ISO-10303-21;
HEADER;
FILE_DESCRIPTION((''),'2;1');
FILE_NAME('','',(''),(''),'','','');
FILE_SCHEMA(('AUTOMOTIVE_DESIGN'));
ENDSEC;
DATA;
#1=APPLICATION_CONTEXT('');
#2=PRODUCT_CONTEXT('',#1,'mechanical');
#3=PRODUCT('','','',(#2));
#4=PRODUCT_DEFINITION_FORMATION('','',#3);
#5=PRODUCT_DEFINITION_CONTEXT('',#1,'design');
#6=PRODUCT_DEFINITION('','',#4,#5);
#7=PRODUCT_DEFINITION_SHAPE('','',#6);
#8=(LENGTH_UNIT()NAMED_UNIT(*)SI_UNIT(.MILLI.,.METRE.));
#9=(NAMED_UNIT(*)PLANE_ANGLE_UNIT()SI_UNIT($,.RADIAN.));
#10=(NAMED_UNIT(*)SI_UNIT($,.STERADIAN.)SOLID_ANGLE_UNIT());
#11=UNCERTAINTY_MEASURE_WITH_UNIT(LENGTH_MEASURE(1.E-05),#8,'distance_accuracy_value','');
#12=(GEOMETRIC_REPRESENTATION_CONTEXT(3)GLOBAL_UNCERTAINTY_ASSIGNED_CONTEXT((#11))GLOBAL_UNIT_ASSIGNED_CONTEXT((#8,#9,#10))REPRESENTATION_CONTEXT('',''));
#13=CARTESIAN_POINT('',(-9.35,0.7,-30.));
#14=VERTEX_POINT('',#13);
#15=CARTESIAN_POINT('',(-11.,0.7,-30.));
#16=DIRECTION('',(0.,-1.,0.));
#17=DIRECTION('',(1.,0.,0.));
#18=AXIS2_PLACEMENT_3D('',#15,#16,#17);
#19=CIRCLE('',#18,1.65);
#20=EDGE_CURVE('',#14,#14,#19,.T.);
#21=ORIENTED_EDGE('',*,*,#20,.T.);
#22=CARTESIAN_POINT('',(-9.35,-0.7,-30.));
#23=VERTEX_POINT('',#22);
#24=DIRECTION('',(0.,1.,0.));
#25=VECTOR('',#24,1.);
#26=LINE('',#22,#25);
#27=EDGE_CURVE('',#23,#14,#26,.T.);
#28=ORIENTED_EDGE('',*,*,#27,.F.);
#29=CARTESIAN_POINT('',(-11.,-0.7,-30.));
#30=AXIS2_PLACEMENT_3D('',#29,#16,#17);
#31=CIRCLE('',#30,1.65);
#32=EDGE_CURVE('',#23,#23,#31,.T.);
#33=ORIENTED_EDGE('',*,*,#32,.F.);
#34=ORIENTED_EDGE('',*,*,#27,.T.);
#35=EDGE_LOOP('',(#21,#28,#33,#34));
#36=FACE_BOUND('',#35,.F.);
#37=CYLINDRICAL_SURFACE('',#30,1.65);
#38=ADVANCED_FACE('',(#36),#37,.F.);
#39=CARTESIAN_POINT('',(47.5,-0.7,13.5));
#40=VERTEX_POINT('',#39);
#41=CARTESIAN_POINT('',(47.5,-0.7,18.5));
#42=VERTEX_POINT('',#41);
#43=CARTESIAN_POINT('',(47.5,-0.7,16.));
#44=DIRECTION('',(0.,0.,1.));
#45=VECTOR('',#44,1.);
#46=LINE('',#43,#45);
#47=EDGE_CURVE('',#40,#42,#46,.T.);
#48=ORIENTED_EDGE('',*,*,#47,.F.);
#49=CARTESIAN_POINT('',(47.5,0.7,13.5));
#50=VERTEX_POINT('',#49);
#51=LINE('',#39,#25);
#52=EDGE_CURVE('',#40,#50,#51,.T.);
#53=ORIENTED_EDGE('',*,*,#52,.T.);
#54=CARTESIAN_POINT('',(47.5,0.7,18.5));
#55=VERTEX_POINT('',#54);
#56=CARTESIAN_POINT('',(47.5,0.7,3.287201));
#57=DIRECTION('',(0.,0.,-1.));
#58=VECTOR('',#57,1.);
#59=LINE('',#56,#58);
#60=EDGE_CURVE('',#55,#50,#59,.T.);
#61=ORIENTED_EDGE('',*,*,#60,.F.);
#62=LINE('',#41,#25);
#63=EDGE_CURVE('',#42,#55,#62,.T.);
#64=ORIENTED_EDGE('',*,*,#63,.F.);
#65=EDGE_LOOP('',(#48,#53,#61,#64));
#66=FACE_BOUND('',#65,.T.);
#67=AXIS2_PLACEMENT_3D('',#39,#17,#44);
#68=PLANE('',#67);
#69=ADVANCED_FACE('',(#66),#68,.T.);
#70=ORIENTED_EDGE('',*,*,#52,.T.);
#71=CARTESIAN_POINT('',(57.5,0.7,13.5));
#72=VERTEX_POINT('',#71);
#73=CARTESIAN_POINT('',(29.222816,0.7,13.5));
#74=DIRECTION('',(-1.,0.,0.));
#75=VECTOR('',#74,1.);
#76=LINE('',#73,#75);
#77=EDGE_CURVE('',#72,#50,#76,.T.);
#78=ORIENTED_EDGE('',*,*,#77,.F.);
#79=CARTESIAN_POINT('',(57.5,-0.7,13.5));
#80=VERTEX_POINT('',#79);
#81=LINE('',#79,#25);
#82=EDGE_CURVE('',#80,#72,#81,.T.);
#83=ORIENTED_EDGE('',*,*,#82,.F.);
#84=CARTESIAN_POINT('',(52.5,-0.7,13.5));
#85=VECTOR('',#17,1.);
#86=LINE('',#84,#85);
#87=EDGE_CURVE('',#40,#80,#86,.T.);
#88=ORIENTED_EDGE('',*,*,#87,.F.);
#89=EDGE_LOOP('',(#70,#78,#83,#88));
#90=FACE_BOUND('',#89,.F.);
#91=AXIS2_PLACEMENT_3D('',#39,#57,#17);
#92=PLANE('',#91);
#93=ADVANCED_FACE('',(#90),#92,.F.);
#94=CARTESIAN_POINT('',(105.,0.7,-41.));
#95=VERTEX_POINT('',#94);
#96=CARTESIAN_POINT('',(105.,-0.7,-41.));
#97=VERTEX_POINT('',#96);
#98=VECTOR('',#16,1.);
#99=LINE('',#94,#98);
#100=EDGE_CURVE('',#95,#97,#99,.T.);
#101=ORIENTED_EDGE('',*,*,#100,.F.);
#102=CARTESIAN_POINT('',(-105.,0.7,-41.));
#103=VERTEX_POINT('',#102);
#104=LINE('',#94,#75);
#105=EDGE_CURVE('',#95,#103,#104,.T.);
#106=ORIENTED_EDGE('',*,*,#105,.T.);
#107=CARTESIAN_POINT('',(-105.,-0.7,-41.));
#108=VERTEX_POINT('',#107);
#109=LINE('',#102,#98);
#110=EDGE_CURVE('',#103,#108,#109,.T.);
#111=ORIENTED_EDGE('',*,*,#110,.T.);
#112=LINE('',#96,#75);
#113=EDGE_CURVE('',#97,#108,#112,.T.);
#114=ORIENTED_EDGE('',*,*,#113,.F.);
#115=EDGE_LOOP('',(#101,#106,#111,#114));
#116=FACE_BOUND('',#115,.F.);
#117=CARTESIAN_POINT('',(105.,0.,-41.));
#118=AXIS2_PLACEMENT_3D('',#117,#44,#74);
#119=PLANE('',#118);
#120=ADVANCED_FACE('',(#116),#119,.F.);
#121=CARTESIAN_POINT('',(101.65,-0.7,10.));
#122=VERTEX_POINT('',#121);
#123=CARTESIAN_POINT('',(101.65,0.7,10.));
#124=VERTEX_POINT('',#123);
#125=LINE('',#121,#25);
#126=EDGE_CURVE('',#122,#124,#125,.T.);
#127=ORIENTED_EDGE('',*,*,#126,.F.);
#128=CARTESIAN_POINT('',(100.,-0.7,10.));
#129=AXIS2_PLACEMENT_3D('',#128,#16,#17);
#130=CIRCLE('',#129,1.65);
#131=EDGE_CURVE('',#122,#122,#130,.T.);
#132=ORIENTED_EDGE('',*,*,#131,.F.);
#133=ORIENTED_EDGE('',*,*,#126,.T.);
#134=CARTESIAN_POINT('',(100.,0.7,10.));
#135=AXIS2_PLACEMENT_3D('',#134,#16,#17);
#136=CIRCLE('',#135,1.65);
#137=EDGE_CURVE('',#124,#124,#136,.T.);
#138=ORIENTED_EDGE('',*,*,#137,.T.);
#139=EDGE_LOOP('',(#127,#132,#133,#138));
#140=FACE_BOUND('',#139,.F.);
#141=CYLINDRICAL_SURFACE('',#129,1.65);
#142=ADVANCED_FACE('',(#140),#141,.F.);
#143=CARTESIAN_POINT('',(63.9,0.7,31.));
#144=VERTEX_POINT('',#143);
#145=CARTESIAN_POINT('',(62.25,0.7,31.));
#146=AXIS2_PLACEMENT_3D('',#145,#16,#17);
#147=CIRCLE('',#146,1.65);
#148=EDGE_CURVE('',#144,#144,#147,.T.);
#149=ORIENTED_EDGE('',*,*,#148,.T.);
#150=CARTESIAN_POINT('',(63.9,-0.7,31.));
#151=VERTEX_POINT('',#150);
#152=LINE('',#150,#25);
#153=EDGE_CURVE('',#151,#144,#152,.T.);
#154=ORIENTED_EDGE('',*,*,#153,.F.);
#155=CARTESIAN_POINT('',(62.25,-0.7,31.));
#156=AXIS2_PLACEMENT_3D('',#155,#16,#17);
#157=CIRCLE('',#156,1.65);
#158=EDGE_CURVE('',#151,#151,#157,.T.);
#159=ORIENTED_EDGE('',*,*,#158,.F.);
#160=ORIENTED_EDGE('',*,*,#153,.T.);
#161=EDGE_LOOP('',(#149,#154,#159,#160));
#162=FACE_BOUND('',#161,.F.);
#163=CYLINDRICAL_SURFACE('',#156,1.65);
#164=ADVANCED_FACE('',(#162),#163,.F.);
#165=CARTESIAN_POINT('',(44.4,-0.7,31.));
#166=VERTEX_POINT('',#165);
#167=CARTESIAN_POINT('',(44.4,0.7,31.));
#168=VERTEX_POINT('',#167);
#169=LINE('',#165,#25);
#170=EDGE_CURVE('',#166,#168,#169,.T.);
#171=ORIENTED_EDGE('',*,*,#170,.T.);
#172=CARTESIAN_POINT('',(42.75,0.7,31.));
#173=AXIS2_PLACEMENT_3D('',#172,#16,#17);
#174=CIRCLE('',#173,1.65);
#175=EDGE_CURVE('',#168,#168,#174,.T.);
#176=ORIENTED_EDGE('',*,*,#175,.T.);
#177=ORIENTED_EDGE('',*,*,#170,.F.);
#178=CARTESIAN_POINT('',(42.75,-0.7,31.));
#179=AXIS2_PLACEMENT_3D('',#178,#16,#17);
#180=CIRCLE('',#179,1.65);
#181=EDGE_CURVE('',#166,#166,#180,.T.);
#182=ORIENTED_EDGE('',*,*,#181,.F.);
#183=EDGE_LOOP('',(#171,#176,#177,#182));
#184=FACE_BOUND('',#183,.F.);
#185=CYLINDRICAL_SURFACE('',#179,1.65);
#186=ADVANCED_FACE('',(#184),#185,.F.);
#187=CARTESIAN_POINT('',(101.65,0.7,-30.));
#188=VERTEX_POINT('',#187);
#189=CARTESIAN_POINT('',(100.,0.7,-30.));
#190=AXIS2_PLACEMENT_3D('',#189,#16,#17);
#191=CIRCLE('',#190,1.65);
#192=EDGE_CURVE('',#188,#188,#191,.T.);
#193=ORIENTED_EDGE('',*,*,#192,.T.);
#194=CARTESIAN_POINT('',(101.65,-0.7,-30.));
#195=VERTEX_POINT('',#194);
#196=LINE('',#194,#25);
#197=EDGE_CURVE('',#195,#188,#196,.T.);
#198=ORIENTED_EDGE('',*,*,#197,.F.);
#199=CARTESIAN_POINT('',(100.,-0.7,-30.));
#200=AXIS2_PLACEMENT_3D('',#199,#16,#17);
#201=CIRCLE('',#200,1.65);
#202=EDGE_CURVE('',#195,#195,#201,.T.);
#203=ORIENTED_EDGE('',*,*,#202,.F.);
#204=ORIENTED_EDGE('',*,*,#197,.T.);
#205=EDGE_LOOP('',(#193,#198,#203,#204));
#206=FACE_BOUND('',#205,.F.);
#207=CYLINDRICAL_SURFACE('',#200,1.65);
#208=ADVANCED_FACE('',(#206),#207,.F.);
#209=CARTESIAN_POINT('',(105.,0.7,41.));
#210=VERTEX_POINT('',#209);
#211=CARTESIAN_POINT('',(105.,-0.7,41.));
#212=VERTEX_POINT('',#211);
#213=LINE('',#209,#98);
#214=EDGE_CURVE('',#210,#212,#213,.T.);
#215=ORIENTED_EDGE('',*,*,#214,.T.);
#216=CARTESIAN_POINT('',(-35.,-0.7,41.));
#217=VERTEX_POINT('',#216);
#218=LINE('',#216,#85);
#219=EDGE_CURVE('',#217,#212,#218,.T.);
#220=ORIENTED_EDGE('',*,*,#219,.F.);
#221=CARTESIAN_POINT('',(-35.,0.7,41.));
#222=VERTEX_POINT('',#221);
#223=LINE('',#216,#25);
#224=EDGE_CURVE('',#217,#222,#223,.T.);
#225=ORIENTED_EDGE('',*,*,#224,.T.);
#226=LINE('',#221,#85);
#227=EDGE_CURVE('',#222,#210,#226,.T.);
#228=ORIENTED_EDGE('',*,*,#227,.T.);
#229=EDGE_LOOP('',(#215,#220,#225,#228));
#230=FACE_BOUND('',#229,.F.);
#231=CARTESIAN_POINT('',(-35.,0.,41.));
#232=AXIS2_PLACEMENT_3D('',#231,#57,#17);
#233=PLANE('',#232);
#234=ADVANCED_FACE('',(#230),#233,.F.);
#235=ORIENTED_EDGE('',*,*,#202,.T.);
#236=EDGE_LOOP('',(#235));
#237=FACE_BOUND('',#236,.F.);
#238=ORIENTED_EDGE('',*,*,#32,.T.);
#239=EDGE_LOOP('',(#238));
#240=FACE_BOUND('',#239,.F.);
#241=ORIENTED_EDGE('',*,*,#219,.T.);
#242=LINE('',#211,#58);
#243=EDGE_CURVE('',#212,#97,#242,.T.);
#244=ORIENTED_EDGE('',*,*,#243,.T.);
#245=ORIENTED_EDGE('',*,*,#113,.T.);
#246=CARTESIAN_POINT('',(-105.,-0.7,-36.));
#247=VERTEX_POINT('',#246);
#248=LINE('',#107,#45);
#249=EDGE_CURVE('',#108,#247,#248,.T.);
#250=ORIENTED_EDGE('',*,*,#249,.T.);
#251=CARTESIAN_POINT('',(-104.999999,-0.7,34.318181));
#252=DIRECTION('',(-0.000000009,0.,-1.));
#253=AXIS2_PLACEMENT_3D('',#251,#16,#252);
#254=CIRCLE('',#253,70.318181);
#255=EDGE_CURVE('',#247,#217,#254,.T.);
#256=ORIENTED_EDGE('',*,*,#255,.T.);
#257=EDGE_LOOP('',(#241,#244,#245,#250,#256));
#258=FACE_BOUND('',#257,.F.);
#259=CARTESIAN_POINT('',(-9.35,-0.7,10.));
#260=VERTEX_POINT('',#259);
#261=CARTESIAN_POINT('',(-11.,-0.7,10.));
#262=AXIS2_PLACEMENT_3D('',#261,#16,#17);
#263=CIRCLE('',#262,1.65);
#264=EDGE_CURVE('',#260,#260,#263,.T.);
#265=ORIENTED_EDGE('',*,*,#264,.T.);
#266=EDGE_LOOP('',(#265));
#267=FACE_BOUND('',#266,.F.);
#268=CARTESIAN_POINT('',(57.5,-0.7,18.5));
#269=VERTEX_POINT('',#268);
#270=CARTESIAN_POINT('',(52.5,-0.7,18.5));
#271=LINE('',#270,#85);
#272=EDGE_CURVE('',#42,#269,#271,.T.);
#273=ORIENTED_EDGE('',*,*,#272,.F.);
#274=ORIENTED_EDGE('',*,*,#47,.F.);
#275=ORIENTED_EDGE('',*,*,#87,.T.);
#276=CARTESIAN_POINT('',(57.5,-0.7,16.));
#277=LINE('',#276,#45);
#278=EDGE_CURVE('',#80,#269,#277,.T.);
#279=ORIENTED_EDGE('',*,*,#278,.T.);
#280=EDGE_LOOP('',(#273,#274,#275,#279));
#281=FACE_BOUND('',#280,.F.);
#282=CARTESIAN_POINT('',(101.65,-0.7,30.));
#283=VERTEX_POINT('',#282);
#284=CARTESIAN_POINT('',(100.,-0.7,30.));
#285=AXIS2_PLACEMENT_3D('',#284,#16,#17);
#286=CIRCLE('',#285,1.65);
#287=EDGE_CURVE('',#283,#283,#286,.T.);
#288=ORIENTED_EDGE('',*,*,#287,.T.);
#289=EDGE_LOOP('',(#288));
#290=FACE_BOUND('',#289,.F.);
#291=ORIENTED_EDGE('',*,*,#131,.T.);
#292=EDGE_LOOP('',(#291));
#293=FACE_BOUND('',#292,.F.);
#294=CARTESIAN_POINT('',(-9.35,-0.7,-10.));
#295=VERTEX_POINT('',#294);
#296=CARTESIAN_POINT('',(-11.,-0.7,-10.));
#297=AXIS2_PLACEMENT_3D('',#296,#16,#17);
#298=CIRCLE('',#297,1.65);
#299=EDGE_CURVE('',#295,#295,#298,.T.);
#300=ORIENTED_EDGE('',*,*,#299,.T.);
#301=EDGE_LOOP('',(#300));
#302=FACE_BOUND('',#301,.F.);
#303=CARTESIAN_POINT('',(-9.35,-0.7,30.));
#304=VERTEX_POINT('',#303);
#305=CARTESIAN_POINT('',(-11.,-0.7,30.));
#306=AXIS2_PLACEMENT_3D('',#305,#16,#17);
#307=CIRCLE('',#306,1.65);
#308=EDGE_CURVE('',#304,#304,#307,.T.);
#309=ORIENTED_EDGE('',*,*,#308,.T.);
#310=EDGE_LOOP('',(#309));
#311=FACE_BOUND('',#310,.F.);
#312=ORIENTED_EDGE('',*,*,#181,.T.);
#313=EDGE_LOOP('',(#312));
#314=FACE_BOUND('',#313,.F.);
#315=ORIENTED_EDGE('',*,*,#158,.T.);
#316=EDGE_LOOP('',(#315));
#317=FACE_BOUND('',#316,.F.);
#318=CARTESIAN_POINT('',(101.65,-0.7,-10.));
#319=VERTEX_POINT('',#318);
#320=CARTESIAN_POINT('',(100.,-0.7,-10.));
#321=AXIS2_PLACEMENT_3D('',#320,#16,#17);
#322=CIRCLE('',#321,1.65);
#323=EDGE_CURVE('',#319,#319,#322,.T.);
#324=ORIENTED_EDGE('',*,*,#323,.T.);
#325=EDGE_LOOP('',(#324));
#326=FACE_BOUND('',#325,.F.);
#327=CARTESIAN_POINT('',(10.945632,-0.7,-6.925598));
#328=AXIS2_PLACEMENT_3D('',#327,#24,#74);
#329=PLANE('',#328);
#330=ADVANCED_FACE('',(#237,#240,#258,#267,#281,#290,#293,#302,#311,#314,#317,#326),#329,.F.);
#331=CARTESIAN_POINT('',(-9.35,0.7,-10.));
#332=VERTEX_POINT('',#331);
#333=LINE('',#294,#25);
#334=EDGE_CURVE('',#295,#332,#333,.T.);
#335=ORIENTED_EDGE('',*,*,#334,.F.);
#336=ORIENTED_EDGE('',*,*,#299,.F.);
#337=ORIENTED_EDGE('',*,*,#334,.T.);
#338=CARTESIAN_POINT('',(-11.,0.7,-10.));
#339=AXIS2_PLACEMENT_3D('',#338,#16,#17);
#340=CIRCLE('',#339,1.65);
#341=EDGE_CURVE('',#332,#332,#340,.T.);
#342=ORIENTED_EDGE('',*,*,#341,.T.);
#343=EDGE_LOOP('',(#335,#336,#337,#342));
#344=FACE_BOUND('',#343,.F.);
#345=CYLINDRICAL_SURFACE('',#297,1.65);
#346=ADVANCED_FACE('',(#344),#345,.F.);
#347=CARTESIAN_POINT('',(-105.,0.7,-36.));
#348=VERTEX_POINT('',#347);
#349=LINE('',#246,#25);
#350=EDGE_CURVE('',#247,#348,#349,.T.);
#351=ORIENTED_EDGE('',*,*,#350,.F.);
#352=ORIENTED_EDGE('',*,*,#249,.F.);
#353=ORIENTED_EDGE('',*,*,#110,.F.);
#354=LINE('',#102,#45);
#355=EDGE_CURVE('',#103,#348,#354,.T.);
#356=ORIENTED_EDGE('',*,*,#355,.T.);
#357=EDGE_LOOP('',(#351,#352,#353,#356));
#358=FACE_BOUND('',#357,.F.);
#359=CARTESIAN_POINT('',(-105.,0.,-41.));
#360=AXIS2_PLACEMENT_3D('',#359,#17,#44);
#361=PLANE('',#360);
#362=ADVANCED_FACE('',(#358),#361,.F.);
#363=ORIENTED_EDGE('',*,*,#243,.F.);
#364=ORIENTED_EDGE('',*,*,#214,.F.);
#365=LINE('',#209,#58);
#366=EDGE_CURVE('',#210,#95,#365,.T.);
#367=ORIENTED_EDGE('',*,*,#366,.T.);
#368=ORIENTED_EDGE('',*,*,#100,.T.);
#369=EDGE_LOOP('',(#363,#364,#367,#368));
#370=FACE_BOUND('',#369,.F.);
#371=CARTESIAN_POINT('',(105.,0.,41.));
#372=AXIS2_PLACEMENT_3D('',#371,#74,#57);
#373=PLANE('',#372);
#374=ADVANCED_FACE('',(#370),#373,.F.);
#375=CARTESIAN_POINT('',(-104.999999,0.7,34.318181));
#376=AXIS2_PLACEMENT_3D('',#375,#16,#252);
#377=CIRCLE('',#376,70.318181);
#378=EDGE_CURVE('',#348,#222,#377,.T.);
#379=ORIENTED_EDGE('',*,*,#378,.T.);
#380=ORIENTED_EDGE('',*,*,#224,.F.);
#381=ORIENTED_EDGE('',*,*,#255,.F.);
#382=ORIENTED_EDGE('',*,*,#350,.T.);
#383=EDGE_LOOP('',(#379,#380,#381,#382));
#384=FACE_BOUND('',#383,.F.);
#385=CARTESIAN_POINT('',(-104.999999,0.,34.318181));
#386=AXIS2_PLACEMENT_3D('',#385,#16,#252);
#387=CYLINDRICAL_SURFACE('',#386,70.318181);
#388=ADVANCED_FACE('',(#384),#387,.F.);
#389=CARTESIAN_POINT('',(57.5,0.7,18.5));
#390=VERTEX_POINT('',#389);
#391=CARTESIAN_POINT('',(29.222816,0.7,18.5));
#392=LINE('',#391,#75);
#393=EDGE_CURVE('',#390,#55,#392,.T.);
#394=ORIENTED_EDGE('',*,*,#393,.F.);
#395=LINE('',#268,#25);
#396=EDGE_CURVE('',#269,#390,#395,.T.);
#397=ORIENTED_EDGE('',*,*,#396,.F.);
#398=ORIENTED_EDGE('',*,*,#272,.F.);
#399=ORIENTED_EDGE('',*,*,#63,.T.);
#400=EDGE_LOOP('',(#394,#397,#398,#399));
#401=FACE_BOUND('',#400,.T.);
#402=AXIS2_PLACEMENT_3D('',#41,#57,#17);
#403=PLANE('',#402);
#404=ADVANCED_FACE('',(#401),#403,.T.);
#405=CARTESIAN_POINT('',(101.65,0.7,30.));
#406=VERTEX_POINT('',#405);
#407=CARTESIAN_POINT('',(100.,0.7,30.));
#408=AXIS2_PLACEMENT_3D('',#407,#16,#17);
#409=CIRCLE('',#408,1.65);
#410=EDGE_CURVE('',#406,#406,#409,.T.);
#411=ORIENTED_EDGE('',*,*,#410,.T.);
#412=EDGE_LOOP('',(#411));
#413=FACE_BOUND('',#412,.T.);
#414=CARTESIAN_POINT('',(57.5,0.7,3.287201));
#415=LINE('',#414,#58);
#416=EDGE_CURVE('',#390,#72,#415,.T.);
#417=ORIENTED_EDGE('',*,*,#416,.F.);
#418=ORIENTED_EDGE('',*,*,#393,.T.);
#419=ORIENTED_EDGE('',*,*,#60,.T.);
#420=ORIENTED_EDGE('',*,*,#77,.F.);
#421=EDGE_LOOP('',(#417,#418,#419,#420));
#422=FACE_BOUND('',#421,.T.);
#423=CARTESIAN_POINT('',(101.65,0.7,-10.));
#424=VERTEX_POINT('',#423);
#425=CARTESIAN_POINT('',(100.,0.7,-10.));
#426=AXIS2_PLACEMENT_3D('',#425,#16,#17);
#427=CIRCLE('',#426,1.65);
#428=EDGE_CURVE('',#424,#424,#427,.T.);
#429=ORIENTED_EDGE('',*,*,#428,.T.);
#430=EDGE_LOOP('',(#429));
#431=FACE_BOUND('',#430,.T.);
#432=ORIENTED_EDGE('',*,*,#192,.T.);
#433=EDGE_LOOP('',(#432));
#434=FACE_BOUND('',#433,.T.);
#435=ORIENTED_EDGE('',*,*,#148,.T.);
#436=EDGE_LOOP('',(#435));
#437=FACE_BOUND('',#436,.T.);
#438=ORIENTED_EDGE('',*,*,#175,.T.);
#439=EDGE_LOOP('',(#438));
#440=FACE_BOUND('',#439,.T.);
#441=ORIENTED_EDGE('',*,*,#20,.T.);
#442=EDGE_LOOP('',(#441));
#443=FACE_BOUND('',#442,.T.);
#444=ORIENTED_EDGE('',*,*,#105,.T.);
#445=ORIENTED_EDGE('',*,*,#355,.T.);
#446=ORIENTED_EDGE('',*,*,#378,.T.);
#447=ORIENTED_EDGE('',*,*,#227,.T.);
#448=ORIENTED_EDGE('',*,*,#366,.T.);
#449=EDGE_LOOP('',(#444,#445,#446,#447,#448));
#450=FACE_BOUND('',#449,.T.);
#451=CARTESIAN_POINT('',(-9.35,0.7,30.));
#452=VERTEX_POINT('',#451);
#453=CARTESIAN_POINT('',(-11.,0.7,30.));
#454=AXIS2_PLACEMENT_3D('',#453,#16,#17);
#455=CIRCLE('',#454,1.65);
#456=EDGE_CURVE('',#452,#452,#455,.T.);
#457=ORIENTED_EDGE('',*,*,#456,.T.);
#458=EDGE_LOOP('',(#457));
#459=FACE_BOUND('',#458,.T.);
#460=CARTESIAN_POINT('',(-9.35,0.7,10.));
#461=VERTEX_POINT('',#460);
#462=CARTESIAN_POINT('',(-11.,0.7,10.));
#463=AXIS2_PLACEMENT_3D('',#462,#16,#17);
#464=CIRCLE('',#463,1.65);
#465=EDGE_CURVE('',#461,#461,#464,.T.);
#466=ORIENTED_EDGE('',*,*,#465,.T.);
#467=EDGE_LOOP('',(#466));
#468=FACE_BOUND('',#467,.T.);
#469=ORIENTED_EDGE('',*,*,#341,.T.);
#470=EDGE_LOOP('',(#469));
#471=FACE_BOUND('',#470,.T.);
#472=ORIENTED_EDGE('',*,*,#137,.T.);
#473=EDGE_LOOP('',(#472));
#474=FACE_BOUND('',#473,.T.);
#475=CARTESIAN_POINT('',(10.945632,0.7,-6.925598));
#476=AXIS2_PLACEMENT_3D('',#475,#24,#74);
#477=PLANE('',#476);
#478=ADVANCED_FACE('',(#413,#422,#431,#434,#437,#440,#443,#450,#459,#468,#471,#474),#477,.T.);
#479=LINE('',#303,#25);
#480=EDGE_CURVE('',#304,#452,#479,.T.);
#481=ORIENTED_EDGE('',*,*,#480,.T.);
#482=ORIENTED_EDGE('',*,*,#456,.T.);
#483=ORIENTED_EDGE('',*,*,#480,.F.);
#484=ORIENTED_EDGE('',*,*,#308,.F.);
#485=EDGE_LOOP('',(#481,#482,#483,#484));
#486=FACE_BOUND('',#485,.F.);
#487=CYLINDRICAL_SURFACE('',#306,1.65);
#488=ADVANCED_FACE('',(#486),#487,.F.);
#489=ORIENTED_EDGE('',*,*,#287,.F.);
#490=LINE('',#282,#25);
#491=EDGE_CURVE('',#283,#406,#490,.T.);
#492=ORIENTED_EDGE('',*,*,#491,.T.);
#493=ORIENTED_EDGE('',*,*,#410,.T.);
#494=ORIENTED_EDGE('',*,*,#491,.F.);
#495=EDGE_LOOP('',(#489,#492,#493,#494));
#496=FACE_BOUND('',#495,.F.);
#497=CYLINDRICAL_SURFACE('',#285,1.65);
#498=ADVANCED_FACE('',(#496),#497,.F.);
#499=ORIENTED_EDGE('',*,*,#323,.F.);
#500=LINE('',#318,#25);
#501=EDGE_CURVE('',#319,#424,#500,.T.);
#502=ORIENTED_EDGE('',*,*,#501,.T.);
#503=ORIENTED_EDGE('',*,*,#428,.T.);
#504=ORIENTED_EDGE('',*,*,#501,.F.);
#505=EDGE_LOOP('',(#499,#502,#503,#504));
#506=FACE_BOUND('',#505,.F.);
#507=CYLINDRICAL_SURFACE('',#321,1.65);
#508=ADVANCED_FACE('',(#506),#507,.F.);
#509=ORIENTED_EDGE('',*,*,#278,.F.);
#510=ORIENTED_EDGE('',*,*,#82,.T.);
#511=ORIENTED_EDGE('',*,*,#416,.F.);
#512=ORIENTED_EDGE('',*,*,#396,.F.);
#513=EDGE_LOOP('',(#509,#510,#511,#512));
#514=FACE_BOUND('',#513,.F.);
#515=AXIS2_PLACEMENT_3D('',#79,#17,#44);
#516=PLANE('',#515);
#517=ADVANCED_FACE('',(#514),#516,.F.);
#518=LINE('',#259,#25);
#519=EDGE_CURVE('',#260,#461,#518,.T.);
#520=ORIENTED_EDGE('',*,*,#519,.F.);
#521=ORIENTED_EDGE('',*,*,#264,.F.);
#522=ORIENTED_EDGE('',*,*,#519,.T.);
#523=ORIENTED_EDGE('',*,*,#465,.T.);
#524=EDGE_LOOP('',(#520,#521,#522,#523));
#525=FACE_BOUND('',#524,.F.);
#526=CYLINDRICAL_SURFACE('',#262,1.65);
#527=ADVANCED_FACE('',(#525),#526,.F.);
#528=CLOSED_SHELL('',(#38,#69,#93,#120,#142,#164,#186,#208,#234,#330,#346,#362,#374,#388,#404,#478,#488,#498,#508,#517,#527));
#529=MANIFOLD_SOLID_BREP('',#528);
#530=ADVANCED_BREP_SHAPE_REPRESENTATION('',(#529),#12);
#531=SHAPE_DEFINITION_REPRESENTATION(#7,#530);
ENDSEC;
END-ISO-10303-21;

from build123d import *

# Parameters (mm, degrees)
PAD_DEPTH       = 0.7
PAD_DEPTH_BACK  = 0.7
SKETCH001_R     = 1.65
POCKET_DEPTH    = 1.401
SKETCH002_R     = 1.65
SKETCH002_W     = 10
SKETCH002_H     = 5
POCKET001_DEPTH = 1.401


with BuildPart() as part:
    # Sketch → Pad (new body, two sides)
    with BuildSketch(Plane.XZ) as pad_sk:
        with BuildLine():
            Line((-105, -41), (-105, -36))
            ThreePointArc((-105, -36), (-52.968759, -12.982946), (-35, 41))
            Line((-35, 41), (105, 41))
            Line((105, 41), (105, -41))
            Line((105, -41), (-105, -41))
        make_face()
    extrude(amount=PAD_DEPTH)
    extrude(pad_sk.sketch, amount=-PAD_DEPTH_BACK)

    # Sketch001 (on Face7 of Pad) → Pocket (cut, through all)
    with BuildSketch(Plane.XZ.offset(0.7)):
        with Locations((100, 30)):
            Circle(SKETCH001_R)
        with Locations((100, 10)):
            Circle(SKETCH001_R)
        with Locations((-11, 30)):
            Circle(SKETCH001_R)
        with Locations((-11, 10)):
            Circle(SKETCH001_R)
        with Locations((100, -30)):
            Circle(SKETCH001_R)
        with Locations((100, -10)):
            Circle(SKETCH001_R)
        with Locations((-11, -30)):
            Circle(SKETCH001_R)
        with Locations((-11, -10)):
            Circle(SKETCH001_R)
    extrude(amount=-POCKET_DEPTH, mode=Mode.SUBTRACT)

    # Sketch002 (on Face5 of Pocket) → Pocket001 (cut, through all)
    with BuildSketch(Plane.XZ.offset(0.7)):
        with Locations((42.75, 31)):
            Circle(SKETCH002_R)
        with Locations((62.25, 31)):
            Circle(SKETCH002_R)
        with Locations((52.5, 16)):
            Rectangle(SKETCH002_W, SKETCH002_H)
    extrude(amount=-POCKET001_DEPTH, mode=Mode.SUBTRACT)


solid = part.part
